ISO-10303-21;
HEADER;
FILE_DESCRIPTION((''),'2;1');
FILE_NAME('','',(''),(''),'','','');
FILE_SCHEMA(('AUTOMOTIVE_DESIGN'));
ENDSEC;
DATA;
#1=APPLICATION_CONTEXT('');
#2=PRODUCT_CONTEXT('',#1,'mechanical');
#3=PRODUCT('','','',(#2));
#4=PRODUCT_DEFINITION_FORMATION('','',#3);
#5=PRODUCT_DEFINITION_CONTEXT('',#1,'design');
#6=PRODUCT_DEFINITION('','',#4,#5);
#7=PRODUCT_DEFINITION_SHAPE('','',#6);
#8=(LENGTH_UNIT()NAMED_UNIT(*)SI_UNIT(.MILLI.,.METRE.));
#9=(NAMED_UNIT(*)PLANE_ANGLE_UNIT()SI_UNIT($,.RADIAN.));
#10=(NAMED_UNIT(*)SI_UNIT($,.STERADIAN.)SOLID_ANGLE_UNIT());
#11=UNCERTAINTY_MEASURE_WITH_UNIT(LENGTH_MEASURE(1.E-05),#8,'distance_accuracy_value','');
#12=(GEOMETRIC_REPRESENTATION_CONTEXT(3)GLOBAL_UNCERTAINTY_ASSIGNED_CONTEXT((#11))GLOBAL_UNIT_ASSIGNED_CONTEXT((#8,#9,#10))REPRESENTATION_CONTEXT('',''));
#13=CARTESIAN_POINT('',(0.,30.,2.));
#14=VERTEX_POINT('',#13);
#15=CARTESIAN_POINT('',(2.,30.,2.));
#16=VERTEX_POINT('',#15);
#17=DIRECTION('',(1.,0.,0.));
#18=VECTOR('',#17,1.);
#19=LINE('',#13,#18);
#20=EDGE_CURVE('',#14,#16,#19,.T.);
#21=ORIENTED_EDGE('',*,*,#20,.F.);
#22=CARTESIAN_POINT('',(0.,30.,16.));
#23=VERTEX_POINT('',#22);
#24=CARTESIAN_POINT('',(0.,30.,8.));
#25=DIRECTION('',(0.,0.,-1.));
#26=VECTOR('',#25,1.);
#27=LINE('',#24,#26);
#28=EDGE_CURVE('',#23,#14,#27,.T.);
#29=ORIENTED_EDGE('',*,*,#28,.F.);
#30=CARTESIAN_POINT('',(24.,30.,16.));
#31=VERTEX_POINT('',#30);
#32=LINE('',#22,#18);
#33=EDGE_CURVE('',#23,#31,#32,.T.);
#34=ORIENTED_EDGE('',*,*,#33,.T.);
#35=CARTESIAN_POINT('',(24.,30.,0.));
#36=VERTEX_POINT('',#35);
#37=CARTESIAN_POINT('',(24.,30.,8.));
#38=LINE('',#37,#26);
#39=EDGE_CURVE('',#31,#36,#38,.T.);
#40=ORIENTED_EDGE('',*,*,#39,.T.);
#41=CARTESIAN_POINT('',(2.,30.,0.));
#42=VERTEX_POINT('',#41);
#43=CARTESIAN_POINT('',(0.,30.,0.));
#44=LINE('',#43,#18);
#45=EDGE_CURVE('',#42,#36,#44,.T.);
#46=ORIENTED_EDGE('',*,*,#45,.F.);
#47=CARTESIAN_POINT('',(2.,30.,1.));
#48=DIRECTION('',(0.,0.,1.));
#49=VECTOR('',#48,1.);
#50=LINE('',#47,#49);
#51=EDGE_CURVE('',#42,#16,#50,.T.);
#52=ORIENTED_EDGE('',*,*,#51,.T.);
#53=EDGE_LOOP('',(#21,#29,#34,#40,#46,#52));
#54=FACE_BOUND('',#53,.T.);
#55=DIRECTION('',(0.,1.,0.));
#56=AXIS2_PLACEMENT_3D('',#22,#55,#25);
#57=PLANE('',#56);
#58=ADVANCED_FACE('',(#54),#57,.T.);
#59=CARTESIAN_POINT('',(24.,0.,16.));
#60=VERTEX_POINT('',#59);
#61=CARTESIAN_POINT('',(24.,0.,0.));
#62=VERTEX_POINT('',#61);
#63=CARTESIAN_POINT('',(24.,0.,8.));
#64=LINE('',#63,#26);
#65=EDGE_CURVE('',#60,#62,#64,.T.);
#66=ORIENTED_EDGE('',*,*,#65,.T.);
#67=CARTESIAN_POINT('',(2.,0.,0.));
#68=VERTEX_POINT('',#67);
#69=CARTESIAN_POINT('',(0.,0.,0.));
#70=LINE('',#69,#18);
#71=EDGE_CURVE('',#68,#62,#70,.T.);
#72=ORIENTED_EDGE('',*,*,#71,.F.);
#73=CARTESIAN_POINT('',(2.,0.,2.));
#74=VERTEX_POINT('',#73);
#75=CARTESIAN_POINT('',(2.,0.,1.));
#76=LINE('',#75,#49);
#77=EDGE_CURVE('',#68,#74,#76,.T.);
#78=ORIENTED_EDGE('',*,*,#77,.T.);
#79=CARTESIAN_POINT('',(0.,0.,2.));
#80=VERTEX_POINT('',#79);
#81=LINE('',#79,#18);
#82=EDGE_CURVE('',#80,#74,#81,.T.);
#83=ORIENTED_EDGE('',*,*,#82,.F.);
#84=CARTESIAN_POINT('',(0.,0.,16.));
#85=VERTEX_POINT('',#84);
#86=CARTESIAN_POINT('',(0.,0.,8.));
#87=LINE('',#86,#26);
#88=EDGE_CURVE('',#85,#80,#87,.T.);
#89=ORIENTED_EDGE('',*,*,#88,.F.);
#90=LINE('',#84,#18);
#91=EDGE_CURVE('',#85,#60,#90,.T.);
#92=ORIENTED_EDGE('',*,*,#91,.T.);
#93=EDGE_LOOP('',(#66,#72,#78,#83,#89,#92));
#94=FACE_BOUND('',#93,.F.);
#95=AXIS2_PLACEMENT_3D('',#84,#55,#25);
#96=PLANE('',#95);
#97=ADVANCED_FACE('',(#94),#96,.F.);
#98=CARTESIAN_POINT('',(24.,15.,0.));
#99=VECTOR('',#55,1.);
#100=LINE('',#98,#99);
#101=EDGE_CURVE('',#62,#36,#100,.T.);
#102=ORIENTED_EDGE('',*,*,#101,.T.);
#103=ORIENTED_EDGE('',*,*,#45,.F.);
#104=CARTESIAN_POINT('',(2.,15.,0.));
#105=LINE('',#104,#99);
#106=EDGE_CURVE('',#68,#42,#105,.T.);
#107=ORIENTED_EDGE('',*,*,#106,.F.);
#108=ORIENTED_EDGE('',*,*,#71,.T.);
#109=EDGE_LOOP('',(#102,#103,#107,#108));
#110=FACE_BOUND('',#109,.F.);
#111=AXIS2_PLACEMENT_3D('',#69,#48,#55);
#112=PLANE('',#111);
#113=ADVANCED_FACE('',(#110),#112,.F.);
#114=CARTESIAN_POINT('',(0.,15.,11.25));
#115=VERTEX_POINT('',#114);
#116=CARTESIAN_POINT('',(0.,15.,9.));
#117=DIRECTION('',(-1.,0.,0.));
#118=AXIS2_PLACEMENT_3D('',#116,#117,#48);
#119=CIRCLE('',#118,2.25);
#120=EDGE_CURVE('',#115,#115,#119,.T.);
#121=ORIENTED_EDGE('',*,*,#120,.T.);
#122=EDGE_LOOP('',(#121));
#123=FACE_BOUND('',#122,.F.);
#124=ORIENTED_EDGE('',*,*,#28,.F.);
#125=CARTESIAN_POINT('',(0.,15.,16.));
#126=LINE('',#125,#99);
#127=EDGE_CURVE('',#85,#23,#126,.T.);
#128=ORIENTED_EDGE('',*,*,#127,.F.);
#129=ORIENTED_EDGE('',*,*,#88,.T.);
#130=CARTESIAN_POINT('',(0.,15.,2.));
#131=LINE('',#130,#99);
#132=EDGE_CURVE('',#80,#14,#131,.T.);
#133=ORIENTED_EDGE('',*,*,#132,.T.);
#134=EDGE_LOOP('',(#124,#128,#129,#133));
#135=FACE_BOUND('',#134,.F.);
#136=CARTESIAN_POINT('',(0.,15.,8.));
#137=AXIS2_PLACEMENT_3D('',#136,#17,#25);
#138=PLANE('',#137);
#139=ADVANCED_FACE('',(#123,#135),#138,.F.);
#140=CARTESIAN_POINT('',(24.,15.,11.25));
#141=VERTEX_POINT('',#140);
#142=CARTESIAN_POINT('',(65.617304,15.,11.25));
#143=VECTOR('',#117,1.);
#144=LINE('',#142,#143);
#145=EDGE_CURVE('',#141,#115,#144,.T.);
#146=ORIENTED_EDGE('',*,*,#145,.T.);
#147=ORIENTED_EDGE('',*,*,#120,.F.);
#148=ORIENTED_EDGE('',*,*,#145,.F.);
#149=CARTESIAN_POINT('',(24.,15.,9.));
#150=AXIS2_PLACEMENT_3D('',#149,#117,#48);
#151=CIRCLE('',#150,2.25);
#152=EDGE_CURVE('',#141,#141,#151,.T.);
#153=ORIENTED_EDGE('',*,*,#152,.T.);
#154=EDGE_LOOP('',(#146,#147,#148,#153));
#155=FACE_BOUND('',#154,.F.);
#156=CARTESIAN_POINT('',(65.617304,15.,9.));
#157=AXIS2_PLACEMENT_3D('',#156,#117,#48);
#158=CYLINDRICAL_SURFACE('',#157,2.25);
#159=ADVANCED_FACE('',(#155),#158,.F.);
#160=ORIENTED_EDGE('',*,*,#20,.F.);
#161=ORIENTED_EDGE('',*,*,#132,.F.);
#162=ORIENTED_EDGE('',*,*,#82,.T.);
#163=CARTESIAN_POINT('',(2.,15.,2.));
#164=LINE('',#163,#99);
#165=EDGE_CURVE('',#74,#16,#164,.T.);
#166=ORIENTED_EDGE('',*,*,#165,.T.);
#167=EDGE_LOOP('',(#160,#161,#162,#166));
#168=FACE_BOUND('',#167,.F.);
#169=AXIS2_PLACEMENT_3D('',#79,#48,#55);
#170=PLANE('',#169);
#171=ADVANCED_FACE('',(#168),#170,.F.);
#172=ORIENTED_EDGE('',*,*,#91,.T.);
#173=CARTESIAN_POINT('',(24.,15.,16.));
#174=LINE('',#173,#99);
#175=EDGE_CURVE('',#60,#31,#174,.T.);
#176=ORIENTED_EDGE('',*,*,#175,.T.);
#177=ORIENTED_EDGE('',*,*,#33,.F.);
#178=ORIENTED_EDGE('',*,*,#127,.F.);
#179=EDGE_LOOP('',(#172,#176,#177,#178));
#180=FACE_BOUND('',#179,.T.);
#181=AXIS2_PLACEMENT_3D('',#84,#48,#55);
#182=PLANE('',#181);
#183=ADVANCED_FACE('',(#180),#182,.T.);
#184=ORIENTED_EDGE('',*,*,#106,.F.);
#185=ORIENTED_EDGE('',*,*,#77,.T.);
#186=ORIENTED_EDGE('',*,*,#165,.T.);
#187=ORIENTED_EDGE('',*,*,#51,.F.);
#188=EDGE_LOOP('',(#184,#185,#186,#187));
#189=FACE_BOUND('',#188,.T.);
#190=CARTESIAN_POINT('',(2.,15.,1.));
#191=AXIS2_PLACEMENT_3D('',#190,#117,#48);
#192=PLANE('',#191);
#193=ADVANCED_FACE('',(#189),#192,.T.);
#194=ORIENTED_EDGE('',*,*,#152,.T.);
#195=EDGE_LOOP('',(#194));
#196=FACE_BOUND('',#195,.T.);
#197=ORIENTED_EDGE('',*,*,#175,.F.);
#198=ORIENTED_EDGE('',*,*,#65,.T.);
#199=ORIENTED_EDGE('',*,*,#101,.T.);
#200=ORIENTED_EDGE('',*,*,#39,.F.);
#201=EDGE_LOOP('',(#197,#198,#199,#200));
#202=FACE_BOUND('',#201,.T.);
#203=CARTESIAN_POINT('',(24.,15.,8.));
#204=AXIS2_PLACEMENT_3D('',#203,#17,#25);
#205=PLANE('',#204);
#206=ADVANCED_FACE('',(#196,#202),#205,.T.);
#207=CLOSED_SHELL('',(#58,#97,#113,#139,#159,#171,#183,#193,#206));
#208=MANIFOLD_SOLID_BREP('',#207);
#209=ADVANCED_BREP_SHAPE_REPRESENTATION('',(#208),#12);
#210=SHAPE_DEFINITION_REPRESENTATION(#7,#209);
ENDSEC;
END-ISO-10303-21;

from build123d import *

# Parameters (mm, degrees)
SKETCH1_W            = 16
SKETCH1_H            = 30
BOSS_EXTRUDE1_DEPTH  = 24
SKETCH2_W            = 2
SKETCH2_H            = 30
CUT_EXTRUDE1_DEPTH   = 2
M4_CLEARANCE_HOLE1_D = 4.5


with BuildPart() as part:
    # Sketch1 → Boss-Extrude1 (new body)
    with BuildSketch(Plane(origin=(0, 0, 0), x_dir=(0, 0, -1), z_dir=(1, 0, 0))):
        with Locations((-8, 15)):
            Rectangle(SKETCH1_W, SKETCH1_H)
    extrude(amount=BOSS_EXTRUDE1_DEPTH)

    # Sketch2 → Cut-Extrude1 (cut)
    with BuildSketch(Plane.ZY):
        with Locations((1, 15)):
            Rectangle(SKETCH2_W, SKETCH2_H)
    extrude(amount=-CUT_EXTRUDE1_DEPTH, mode=Mode.SUBTRACT)

    # M4 Clearance Hole1 (through all)
    with Locations(Plane(origin=(24, 0, 0), x_dir=(0, 0, -1), z_dir=(1, 0, 0))):
        with Locations((-9, 15)):
            Hole(M4_CLEARANCE_HOLE1_D / 2)


solid = part.part
